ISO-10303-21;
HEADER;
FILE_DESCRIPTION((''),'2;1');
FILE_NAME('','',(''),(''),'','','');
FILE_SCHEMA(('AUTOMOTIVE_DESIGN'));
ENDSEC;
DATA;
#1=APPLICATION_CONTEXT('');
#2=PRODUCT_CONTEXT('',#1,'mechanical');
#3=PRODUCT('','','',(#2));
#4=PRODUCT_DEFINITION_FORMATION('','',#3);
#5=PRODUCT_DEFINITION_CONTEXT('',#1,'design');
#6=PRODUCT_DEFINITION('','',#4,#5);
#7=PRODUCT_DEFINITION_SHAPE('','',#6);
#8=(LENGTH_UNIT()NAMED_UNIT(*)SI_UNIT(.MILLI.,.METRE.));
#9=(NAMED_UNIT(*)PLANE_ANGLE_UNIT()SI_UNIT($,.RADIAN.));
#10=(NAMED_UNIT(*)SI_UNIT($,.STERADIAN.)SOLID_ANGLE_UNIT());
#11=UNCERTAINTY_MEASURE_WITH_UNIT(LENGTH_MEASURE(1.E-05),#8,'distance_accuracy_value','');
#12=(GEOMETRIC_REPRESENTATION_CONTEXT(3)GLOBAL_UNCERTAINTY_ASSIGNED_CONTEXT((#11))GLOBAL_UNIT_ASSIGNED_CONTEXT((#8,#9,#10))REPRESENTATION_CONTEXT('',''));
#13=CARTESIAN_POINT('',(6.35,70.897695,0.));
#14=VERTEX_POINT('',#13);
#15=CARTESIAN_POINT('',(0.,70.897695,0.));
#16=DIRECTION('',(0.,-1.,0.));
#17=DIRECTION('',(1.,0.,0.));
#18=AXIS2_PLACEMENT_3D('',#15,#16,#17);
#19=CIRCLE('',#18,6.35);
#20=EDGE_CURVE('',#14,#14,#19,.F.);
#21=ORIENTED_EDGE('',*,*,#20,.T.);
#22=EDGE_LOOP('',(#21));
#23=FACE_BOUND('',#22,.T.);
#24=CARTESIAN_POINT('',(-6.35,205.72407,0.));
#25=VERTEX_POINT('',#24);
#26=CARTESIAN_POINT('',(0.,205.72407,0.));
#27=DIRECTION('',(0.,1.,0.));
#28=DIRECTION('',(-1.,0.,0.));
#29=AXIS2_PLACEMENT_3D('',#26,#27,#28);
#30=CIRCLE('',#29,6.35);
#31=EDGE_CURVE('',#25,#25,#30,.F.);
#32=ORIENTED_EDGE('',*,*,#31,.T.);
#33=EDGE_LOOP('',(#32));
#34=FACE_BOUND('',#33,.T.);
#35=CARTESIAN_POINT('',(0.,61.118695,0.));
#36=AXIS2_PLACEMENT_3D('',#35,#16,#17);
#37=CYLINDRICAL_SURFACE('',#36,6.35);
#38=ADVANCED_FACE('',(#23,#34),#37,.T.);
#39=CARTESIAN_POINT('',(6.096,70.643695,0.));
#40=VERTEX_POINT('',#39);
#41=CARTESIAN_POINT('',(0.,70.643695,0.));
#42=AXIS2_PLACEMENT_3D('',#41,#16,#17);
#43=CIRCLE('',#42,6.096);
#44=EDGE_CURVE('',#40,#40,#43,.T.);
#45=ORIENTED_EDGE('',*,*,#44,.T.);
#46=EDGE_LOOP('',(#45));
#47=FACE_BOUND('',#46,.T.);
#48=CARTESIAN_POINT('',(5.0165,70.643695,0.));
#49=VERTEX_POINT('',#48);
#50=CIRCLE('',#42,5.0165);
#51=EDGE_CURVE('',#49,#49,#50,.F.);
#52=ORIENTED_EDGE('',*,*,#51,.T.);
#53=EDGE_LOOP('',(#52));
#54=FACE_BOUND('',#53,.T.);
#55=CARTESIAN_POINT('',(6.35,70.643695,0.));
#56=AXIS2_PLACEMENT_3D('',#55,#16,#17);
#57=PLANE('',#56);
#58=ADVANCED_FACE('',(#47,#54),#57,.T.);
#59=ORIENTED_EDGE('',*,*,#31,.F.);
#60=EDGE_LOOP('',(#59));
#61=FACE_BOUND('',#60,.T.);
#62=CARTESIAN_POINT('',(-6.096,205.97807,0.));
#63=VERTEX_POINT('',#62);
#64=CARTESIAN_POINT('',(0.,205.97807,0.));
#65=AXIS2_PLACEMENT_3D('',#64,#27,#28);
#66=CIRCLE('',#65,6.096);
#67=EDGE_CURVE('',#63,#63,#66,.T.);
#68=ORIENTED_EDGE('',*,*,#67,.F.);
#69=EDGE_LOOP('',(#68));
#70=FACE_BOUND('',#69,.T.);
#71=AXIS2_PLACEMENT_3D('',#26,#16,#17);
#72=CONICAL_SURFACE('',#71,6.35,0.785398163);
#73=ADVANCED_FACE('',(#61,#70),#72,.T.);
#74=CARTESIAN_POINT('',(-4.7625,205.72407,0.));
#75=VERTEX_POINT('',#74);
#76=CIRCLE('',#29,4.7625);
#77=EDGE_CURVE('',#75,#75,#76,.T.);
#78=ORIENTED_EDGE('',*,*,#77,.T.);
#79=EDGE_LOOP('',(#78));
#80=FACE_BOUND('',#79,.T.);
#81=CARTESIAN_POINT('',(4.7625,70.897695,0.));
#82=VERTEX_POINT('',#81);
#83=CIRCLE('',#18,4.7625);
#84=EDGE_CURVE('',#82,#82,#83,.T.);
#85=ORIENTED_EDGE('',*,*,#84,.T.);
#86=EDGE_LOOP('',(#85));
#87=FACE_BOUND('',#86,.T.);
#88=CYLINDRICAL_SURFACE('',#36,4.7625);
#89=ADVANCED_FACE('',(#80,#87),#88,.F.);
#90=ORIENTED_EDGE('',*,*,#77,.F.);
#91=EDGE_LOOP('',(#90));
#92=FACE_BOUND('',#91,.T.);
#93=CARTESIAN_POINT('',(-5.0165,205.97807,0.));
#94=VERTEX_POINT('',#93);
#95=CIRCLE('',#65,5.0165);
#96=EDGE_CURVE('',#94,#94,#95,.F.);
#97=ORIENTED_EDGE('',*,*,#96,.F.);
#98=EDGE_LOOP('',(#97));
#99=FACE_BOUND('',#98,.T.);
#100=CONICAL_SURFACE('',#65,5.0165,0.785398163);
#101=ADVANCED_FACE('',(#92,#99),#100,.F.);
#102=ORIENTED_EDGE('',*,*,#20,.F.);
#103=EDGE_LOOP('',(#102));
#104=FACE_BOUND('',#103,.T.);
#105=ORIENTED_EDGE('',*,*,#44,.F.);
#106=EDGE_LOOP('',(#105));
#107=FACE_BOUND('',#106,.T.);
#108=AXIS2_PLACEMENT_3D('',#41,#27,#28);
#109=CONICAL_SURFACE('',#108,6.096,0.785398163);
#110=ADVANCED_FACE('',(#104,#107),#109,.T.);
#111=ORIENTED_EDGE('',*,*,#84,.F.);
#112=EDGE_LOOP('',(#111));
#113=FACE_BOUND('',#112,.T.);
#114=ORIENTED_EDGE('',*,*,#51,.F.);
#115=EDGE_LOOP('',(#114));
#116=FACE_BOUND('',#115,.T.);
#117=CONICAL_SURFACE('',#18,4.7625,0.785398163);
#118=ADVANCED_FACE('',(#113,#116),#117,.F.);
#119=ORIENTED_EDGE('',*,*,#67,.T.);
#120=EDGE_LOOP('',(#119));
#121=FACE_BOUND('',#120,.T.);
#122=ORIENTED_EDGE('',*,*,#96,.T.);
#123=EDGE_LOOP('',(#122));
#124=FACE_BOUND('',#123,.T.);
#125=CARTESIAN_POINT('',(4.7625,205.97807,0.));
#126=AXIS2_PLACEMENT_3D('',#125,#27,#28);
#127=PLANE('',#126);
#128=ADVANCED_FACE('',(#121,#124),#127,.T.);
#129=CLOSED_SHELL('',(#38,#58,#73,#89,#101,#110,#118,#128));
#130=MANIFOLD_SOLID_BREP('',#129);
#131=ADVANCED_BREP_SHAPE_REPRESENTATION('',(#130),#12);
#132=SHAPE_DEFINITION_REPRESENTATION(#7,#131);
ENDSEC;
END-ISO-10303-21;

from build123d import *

# Parameters (mm, degrees)
SKETCH1_W     = 1.5875
SKETCH1_H     = 135.334375
CHAMFER1_SIZE = 0.254


with BuildPart() as part:
    # Sketch1 → Revolve1 (revolve)
    with BuildSketch(Plane.XY):
        with Locations((5.55625, 138.310882465)):
            Rectangle(SKETCH1_W, SKETCH1_H)
    revolve(axis=Axis((0, 61.118694965, 0), (0, 1, 0)))

    # Chamfer1
    chamfer1_edges = [part.edges().sort_by_distance(p)[0] for p in [
        (-6.35, 70.643694965, 0),
        (-6.349999999, 205.978069965, 0),
        (-4.762499999, 205.978069965, 0),
        (-4.7625, 70.643694965, 0),
    ]]
    chamfer(chamfer1_edges, length=CHAMFER1_SIZE)


solid = part.part
